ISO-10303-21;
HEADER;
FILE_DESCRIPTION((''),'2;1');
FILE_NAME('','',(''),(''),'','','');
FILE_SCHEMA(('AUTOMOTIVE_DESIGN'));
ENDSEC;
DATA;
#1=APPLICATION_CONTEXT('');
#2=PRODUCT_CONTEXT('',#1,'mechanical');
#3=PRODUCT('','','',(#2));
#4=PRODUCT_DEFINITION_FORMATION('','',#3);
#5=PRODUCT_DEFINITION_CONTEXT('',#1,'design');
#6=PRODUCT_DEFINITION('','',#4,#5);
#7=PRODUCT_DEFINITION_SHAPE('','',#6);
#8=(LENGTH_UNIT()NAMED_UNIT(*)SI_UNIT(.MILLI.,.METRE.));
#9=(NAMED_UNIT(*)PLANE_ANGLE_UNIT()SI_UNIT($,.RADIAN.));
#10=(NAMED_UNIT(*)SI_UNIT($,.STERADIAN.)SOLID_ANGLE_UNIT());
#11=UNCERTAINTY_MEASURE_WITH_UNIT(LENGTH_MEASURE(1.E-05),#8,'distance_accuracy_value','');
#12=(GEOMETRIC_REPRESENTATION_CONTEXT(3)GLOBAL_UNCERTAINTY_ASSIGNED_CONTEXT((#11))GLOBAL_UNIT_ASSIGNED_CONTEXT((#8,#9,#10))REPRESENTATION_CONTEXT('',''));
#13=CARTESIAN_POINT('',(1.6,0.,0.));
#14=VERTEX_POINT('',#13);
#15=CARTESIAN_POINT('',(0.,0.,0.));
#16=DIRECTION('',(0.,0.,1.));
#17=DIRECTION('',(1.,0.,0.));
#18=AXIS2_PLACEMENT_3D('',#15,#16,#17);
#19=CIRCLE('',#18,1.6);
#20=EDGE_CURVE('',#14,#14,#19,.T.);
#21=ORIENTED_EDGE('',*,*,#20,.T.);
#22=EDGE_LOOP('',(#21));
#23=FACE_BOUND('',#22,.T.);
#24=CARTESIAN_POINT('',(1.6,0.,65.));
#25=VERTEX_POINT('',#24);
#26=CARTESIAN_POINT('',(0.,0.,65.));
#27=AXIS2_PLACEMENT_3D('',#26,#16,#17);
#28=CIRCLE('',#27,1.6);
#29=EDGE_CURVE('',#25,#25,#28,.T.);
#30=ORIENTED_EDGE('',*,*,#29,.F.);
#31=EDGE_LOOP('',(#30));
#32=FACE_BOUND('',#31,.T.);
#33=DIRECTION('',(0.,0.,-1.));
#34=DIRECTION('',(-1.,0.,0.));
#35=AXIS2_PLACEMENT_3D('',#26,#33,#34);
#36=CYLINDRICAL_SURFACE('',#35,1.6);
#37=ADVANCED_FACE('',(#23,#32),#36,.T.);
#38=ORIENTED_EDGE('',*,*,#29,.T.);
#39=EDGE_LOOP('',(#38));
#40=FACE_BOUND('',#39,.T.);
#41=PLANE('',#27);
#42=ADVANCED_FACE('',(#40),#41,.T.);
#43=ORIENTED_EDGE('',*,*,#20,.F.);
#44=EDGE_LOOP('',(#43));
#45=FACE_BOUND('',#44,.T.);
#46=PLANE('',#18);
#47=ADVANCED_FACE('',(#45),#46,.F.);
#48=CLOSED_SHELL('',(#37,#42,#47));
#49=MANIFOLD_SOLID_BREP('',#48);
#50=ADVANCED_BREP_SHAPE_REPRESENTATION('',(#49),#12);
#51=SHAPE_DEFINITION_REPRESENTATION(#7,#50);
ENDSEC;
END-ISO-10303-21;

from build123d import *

# Parameters (mm, degrees)
ESQUISSE1_R = 1.6
MAIN_DEPTH  = 65


with BuildPart() as part:
    # Esquisse1 → Main (new body)
    with BuildSketch(Plane.XY):
        Circle(ESQUISSE1_R)
    extrude(amount=MAIN_DEPTH)


solid = part.part
